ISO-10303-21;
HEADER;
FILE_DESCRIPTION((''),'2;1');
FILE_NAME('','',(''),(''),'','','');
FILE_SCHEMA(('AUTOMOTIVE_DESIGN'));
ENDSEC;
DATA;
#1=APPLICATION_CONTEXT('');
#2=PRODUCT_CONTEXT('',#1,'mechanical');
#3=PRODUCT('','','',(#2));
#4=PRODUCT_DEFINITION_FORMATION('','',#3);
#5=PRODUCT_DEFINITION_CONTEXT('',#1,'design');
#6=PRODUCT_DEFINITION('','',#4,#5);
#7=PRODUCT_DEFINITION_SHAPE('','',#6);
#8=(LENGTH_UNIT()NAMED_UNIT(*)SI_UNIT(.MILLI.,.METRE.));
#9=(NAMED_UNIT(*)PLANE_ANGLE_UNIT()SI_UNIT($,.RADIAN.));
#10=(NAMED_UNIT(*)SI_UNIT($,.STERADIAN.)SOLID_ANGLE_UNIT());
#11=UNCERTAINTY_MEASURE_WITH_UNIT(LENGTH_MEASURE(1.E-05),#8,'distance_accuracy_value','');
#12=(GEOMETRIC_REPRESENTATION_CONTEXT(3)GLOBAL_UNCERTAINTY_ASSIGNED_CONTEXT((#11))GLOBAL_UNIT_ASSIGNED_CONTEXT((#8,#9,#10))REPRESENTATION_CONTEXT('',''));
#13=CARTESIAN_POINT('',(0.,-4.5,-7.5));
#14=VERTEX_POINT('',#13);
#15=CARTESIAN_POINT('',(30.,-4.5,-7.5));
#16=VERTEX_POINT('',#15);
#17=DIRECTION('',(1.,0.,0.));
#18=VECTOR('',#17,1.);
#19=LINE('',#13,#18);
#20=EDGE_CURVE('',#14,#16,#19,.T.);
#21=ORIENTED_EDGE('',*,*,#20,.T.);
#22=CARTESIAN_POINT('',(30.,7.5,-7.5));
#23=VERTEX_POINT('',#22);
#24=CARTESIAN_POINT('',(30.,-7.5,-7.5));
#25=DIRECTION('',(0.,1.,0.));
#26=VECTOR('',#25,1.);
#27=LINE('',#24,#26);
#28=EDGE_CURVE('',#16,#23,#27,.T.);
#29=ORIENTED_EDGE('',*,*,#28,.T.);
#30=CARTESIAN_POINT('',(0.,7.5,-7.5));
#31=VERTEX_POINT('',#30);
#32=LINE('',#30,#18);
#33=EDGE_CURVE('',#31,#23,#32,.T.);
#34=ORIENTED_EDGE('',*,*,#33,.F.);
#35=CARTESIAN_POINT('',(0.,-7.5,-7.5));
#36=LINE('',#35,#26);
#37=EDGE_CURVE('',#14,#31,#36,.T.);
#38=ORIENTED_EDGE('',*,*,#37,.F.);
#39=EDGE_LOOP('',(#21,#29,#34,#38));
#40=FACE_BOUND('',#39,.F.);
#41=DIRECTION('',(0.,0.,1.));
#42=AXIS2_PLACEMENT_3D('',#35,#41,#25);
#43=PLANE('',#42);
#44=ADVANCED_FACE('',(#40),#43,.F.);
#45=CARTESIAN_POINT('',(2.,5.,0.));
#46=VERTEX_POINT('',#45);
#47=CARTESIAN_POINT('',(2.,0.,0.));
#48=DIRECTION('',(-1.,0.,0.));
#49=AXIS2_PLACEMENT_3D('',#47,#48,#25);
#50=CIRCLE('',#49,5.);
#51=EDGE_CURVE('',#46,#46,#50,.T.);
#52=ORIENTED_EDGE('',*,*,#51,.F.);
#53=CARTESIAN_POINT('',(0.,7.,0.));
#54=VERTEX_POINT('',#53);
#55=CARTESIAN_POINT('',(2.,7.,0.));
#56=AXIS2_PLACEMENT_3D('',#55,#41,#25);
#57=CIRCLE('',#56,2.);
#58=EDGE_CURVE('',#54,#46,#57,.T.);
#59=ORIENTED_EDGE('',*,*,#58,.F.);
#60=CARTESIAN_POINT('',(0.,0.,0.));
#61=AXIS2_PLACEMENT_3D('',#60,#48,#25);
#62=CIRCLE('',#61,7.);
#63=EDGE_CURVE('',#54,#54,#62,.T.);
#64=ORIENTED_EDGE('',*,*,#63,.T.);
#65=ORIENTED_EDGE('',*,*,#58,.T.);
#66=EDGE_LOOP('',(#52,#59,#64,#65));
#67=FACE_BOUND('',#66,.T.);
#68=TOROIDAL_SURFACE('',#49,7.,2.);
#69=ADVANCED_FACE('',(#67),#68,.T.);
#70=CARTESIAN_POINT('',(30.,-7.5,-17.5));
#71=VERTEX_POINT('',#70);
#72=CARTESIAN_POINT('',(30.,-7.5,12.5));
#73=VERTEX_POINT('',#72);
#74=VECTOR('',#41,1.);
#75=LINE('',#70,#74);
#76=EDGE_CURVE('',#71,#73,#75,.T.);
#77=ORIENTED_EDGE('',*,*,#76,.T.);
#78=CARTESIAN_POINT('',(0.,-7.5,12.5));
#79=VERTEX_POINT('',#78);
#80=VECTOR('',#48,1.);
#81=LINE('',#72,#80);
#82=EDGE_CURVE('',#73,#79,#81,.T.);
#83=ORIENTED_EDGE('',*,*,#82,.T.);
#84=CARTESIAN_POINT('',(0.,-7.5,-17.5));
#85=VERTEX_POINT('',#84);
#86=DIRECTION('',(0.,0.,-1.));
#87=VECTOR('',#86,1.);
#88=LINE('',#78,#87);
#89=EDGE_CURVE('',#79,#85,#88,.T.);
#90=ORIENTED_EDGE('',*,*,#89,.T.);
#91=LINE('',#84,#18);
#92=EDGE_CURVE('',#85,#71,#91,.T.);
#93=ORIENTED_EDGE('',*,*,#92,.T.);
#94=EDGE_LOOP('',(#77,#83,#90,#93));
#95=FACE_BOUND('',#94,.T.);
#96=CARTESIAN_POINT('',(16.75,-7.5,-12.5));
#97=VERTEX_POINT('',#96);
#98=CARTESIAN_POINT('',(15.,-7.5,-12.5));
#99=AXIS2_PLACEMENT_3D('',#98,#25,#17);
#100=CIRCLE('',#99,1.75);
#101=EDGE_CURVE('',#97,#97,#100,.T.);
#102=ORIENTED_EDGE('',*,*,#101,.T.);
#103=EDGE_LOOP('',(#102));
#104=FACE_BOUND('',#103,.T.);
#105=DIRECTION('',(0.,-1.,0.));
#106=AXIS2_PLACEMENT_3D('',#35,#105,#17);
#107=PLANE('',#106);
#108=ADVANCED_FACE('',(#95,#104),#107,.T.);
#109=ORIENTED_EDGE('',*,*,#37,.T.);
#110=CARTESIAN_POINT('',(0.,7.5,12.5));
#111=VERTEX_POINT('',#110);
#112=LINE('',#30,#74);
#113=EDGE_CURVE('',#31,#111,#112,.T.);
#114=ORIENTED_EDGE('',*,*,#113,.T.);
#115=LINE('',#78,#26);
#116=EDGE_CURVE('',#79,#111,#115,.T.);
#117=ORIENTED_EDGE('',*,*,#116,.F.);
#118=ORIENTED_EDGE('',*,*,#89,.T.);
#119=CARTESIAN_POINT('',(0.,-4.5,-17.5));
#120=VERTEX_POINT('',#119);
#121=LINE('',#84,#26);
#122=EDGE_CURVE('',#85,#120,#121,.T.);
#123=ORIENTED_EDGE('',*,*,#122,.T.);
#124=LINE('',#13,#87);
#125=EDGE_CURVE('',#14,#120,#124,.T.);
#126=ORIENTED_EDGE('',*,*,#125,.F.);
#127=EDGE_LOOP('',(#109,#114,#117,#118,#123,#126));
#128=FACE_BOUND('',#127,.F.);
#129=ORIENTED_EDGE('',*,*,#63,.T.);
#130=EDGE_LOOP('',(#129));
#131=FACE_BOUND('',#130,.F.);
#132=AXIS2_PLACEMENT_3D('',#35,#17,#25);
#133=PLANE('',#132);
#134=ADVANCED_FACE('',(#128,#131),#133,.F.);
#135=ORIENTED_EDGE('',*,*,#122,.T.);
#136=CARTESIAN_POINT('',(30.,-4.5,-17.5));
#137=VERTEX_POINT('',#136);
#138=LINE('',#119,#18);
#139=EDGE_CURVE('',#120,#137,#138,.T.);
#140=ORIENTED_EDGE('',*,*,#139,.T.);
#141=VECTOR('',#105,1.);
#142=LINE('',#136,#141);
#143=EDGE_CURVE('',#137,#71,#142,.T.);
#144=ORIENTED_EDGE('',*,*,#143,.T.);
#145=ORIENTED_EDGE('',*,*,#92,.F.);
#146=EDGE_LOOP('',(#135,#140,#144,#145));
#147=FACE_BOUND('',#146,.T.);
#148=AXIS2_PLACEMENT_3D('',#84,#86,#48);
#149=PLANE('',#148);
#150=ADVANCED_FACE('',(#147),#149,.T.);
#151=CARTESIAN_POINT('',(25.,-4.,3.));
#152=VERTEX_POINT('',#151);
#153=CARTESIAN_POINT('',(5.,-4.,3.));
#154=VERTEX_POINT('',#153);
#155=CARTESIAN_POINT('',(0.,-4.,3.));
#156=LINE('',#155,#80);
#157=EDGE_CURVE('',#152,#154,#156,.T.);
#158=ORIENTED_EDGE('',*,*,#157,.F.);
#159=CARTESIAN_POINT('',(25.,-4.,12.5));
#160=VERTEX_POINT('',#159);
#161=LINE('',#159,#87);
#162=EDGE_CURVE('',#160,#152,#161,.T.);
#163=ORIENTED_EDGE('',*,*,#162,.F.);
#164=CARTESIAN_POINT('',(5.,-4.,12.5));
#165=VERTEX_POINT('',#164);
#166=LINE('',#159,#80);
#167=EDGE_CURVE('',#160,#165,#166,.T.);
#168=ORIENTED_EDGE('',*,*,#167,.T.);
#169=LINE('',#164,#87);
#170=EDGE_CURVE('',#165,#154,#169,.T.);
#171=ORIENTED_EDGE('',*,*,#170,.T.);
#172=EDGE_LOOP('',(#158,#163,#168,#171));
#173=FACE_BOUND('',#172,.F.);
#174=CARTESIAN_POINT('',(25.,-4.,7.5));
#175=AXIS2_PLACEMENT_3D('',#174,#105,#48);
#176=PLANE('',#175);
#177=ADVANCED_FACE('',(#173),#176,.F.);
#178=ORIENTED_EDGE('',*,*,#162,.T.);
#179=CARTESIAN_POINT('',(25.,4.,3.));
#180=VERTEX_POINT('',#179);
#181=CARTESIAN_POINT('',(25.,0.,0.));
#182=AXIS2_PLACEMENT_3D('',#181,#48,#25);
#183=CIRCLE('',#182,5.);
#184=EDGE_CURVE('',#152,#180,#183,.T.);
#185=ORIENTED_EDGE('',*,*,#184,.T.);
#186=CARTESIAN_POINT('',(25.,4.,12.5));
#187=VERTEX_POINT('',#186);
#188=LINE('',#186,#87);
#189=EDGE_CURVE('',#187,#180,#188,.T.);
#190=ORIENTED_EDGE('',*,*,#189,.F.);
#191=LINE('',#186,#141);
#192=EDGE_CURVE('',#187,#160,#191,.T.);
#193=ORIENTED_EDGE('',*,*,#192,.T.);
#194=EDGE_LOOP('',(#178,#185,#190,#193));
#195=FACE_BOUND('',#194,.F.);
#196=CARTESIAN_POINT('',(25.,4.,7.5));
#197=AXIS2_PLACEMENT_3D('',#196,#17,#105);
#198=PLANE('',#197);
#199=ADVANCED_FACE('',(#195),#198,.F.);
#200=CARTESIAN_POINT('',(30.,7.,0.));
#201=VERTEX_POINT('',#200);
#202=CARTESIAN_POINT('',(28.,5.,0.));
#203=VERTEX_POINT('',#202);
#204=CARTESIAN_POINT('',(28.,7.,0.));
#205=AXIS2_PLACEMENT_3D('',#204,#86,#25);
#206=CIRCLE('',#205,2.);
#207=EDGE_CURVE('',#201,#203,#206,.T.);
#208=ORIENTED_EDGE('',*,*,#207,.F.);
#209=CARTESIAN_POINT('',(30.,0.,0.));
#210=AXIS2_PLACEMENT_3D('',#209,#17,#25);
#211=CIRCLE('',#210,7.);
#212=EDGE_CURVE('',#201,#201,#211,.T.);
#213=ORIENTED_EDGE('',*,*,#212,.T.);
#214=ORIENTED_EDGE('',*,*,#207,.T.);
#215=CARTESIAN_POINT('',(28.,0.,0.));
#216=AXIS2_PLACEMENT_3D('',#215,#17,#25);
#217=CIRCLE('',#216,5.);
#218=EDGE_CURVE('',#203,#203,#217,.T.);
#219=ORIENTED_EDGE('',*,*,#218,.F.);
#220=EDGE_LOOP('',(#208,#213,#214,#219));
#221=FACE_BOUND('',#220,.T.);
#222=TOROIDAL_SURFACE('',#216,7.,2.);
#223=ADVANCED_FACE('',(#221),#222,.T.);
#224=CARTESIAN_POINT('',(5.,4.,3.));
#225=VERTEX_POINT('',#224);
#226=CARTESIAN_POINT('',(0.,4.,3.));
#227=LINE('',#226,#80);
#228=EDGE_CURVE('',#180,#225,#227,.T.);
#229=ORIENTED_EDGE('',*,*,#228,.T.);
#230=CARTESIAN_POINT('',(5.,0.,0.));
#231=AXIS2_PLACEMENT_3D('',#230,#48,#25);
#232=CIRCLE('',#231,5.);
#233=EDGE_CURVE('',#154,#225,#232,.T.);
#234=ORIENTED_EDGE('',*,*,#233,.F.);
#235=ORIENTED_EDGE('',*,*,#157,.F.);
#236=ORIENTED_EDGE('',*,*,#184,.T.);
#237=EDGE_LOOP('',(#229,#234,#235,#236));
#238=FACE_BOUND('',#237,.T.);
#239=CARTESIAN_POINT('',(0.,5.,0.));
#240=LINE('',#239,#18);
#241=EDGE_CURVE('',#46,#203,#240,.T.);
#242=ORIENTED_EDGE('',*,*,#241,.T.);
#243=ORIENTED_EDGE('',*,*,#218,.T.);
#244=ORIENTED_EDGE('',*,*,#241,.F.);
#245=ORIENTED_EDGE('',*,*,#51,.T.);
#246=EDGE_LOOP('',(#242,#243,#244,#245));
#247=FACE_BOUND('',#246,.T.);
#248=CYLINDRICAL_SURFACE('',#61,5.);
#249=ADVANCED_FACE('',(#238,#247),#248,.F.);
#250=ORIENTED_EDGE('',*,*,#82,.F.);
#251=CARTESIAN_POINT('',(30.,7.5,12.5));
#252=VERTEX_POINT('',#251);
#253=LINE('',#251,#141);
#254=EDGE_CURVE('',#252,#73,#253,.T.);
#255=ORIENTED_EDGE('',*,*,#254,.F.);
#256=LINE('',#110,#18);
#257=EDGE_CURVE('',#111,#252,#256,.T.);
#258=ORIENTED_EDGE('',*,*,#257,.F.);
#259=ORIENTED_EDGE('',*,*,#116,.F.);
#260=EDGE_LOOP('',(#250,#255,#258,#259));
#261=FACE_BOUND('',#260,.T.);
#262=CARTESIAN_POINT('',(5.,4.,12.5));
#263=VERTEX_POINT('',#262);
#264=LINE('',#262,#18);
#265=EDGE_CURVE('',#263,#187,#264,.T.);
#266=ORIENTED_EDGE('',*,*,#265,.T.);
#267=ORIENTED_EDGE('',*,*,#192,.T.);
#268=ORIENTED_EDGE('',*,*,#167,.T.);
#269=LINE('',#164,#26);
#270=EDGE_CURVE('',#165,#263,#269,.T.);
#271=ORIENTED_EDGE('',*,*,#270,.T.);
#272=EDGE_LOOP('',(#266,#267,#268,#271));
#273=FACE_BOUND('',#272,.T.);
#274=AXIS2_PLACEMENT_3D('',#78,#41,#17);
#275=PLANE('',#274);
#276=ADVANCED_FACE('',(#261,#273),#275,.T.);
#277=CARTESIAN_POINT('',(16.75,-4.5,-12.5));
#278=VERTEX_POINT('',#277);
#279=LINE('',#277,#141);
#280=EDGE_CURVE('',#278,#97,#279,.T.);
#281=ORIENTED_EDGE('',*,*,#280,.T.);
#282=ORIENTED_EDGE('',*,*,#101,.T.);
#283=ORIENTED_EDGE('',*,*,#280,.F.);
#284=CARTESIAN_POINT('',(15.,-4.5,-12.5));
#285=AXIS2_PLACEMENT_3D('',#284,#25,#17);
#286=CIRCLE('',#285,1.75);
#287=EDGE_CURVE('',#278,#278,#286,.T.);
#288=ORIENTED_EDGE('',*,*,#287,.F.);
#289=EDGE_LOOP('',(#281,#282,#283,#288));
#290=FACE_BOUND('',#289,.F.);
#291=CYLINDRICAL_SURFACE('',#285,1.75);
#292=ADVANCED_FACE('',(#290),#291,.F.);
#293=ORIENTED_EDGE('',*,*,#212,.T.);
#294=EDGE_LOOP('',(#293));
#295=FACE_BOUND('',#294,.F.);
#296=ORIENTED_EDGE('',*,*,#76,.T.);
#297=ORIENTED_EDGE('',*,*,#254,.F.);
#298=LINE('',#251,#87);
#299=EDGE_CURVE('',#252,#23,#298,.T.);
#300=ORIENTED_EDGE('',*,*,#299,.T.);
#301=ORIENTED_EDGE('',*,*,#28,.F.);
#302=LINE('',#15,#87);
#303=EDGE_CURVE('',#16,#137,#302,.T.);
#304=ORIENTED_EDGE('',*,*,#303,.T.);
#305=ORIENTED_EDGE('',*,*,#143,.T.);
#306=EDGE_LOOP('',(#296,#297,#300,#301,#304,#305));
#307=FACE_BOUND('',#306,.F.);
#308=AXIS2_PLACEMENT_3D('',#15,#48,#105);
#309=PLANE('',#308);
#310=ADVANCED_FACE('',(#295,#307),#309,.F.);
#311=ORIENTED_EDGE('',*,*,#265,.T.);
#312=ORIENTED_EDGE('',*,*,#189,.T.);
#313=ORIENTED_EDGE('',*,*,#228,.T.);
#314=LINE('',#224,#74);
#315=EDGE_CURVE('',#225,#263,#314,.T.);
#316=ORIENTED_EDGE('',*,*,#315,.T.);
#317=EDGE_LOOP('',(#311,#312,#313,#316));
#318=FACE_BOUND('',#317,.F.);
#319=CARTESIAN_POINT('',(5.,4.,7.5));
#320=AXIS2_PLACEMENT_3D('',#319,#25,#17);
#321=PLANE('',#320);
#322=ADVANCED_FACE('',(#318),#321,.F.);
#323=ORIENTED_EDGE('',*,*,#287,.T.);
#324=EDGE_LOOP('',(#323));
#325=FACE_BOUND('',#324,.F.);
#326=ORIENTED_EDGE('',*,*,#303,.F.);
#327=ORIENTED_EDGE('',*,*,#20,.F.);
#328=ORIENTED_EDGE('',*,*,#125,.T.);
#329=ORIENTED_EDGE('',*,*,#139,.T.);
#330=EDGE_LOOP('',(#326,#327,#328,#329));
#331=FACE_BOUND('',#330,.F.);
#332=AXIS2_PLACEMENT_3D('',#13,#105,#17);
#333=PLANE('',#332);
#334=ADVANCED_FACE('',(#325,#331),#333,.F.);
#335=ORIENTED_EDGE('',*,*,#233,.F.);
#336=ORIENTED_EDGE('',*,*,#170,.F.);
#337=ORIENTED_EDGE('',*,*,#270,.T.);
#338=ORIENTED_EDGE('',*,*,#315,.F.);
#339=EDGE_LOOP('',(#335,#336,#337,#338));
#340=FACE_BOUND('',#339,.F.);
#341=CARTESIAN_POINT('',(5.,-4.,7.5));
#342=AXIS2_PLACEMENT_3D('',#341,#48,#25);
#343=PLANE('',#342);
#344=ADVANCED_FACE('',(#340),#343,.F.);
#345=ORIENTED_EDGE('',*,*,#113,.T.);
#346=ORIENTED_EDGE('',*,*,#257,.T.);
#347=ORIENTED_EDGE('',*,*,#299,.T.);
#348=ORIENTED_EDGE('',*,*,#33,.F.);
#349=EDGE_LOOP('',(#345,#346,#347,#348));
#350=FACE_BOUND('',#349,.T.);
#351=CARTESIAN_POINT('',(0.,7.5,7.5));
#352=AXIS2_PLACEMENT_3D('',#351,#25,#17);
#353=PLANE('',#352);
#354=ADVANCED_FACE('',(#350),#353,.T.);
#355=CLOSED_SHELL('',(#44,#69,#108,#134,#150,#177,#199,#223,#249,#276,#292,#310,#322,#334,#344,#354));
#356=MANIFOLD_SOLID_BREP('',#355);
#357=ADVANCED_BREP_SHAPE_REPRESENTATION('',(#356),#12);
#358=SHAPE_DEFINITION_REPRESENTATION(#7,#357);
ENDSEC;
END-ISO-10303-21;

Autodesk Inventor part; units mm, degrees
ref_plane "YZ Plane" through (0, 0, 0) normal (1, 0, 0) x (0, 1, 0)
ref_plane "XZ Plane" through (0, 0, 0) normal (0, 1, 0) x (-1, 0, 0)
ref_plane "XY Plane" through (0, 0, 0) normal (0, 0, 1) x (1, 0, 0)
sketch "Esquisse1" plane through (0, 0, 0) normal (1, 0, 0) x (0, 1, 0)
  circle A0 centre (0, 0) radius 5
  line L0 (7.5, 7.5) -> (-7.5, 7.5)
  line L1 (-7.5, 7.5) -> (-7.5, -7.5)
  line L2 (-7.5, -7.5) -> (7.5, -7.5)
  line L3 (7.5, -7.5) -> (7.5, 7.5)
  line L4 (7.5, 7.5) -> (-7.5, -7.5)
  line L5 (-7.5, 7.5) -> (7.5, -7.5)
  point P0 (0, 0)
  dimension "d0" = 10
  dimension "d1" = 15
  dimension "d2" = 15
extrude "Extrusion1" add sketch "Esquisse1" along normal blind 30 contours A0 L4 L3 L5 | A0 L5 L0 L4 | L5 L2 L4 A0 | A0 L4 L1 L5
sketch "Esquisse6" plane through (0, -7.5, 7.5) normal (0, 0, 1) x (1, 0, 0)
  line L0 (0, 7.5) -> (30, 7.5)
  line L1 (30, 15) -> (30, 0) projected
  line L2 (5, 11.5) -> (25, 11.5)
  line L3 (25, 11.5) -> (25, 7.5)
  line L4 (25, 7.5) -> (5, 7.5)
  line L5 (5, 7.5) -> (5, 11.5)
  line L6 (0, 15) -> (0, 0) projected
  line L7 (0, 11.5) -> (5, 11.5)
  line L8 (5, 3.5) -> (25, 3.5)
  line L9 (25, 3.5) -> (25, 7.5)
  line L10 (5, 7.5) -> (5, 3.5)
  dimension "d14" = 4
  dimension "d15" = 5
  dimension "d16" = 20
extrude "Extrusion5" cut sketch "Esquisse6" against normal blind 5 contours L5 L2 L3 L0 | L0 L9 L8 L10
sketch "Esquisse8" plane through (0, -7.5, 7.5) normal (0, 0, 1) x (1, 0, 0)
  line L0 (5, 11.5) -> (25, 11.5) projected
  line L1 (25, 3.5) -> (5, 3.5) projected
  line L2 (5, 11.5) -> (25, 11.5)
  line L3 (25, 11.5) -> (25, 3.5)
  line L4 (25, 3.5) -> (5, 3.5)
  line L5 (5, 3.5) -> (5, 11.5)
  line L6 (0, 15) -> (30, 15) projected
  line L7 (30, 15) -> (30, 0) projected
  line L8 (0, 15) -> (30, 15)
  line L9 (30, 15) -> (30, 0)
  line L10 (30, 0) -> (0, 0)
  line L11 (0, 0) -> (0, 15)
  point P0 (0, 7.5)
extrude "Extrusion6" add sketch "Esquisse8" along normal blind 5
sketch "Esquisse9" plane through (0, -7.5, -7.5) normal (0, 0, -1) x (-1, 0, 0)
  line L0 (0, 0) -> (-30, 0) projected
  line L1 (-30, 0) -> (0, 0)
  line L2 (0, 0) -> (0, 3)
  line L3 (0, 3) -> (-30, 3)
  line L4 (-30, 3) -> (-30, 0)
  point P0 (0, 7.5)
extrude "Extrusion7" add sketch "Esquisse9" along normal blind 10
sketch "Esquisse10" plane through (0, -4.5, -7.5) normal (0, 1, 0) x (1, 0, 0)
  circle A0 centre (15, 5) radius 1.75
  line L0 (0, 10) -> (30, 10) projected
  line L1 (30, 0) -> (30, 10) projected
  point P0 (0, -7.5)
  dimension "d23" = 3.5
  dimension "d24" = 5
  dimension "d25" = 15
extrude "Extrusion8" cut sketch "Esquisse10" against normal blind 10
fillet "Congé2" radius 2 2 edges at (0, -5, 0) (30, -5, 0)
properties part number "Pièce1_Impression 3D"
